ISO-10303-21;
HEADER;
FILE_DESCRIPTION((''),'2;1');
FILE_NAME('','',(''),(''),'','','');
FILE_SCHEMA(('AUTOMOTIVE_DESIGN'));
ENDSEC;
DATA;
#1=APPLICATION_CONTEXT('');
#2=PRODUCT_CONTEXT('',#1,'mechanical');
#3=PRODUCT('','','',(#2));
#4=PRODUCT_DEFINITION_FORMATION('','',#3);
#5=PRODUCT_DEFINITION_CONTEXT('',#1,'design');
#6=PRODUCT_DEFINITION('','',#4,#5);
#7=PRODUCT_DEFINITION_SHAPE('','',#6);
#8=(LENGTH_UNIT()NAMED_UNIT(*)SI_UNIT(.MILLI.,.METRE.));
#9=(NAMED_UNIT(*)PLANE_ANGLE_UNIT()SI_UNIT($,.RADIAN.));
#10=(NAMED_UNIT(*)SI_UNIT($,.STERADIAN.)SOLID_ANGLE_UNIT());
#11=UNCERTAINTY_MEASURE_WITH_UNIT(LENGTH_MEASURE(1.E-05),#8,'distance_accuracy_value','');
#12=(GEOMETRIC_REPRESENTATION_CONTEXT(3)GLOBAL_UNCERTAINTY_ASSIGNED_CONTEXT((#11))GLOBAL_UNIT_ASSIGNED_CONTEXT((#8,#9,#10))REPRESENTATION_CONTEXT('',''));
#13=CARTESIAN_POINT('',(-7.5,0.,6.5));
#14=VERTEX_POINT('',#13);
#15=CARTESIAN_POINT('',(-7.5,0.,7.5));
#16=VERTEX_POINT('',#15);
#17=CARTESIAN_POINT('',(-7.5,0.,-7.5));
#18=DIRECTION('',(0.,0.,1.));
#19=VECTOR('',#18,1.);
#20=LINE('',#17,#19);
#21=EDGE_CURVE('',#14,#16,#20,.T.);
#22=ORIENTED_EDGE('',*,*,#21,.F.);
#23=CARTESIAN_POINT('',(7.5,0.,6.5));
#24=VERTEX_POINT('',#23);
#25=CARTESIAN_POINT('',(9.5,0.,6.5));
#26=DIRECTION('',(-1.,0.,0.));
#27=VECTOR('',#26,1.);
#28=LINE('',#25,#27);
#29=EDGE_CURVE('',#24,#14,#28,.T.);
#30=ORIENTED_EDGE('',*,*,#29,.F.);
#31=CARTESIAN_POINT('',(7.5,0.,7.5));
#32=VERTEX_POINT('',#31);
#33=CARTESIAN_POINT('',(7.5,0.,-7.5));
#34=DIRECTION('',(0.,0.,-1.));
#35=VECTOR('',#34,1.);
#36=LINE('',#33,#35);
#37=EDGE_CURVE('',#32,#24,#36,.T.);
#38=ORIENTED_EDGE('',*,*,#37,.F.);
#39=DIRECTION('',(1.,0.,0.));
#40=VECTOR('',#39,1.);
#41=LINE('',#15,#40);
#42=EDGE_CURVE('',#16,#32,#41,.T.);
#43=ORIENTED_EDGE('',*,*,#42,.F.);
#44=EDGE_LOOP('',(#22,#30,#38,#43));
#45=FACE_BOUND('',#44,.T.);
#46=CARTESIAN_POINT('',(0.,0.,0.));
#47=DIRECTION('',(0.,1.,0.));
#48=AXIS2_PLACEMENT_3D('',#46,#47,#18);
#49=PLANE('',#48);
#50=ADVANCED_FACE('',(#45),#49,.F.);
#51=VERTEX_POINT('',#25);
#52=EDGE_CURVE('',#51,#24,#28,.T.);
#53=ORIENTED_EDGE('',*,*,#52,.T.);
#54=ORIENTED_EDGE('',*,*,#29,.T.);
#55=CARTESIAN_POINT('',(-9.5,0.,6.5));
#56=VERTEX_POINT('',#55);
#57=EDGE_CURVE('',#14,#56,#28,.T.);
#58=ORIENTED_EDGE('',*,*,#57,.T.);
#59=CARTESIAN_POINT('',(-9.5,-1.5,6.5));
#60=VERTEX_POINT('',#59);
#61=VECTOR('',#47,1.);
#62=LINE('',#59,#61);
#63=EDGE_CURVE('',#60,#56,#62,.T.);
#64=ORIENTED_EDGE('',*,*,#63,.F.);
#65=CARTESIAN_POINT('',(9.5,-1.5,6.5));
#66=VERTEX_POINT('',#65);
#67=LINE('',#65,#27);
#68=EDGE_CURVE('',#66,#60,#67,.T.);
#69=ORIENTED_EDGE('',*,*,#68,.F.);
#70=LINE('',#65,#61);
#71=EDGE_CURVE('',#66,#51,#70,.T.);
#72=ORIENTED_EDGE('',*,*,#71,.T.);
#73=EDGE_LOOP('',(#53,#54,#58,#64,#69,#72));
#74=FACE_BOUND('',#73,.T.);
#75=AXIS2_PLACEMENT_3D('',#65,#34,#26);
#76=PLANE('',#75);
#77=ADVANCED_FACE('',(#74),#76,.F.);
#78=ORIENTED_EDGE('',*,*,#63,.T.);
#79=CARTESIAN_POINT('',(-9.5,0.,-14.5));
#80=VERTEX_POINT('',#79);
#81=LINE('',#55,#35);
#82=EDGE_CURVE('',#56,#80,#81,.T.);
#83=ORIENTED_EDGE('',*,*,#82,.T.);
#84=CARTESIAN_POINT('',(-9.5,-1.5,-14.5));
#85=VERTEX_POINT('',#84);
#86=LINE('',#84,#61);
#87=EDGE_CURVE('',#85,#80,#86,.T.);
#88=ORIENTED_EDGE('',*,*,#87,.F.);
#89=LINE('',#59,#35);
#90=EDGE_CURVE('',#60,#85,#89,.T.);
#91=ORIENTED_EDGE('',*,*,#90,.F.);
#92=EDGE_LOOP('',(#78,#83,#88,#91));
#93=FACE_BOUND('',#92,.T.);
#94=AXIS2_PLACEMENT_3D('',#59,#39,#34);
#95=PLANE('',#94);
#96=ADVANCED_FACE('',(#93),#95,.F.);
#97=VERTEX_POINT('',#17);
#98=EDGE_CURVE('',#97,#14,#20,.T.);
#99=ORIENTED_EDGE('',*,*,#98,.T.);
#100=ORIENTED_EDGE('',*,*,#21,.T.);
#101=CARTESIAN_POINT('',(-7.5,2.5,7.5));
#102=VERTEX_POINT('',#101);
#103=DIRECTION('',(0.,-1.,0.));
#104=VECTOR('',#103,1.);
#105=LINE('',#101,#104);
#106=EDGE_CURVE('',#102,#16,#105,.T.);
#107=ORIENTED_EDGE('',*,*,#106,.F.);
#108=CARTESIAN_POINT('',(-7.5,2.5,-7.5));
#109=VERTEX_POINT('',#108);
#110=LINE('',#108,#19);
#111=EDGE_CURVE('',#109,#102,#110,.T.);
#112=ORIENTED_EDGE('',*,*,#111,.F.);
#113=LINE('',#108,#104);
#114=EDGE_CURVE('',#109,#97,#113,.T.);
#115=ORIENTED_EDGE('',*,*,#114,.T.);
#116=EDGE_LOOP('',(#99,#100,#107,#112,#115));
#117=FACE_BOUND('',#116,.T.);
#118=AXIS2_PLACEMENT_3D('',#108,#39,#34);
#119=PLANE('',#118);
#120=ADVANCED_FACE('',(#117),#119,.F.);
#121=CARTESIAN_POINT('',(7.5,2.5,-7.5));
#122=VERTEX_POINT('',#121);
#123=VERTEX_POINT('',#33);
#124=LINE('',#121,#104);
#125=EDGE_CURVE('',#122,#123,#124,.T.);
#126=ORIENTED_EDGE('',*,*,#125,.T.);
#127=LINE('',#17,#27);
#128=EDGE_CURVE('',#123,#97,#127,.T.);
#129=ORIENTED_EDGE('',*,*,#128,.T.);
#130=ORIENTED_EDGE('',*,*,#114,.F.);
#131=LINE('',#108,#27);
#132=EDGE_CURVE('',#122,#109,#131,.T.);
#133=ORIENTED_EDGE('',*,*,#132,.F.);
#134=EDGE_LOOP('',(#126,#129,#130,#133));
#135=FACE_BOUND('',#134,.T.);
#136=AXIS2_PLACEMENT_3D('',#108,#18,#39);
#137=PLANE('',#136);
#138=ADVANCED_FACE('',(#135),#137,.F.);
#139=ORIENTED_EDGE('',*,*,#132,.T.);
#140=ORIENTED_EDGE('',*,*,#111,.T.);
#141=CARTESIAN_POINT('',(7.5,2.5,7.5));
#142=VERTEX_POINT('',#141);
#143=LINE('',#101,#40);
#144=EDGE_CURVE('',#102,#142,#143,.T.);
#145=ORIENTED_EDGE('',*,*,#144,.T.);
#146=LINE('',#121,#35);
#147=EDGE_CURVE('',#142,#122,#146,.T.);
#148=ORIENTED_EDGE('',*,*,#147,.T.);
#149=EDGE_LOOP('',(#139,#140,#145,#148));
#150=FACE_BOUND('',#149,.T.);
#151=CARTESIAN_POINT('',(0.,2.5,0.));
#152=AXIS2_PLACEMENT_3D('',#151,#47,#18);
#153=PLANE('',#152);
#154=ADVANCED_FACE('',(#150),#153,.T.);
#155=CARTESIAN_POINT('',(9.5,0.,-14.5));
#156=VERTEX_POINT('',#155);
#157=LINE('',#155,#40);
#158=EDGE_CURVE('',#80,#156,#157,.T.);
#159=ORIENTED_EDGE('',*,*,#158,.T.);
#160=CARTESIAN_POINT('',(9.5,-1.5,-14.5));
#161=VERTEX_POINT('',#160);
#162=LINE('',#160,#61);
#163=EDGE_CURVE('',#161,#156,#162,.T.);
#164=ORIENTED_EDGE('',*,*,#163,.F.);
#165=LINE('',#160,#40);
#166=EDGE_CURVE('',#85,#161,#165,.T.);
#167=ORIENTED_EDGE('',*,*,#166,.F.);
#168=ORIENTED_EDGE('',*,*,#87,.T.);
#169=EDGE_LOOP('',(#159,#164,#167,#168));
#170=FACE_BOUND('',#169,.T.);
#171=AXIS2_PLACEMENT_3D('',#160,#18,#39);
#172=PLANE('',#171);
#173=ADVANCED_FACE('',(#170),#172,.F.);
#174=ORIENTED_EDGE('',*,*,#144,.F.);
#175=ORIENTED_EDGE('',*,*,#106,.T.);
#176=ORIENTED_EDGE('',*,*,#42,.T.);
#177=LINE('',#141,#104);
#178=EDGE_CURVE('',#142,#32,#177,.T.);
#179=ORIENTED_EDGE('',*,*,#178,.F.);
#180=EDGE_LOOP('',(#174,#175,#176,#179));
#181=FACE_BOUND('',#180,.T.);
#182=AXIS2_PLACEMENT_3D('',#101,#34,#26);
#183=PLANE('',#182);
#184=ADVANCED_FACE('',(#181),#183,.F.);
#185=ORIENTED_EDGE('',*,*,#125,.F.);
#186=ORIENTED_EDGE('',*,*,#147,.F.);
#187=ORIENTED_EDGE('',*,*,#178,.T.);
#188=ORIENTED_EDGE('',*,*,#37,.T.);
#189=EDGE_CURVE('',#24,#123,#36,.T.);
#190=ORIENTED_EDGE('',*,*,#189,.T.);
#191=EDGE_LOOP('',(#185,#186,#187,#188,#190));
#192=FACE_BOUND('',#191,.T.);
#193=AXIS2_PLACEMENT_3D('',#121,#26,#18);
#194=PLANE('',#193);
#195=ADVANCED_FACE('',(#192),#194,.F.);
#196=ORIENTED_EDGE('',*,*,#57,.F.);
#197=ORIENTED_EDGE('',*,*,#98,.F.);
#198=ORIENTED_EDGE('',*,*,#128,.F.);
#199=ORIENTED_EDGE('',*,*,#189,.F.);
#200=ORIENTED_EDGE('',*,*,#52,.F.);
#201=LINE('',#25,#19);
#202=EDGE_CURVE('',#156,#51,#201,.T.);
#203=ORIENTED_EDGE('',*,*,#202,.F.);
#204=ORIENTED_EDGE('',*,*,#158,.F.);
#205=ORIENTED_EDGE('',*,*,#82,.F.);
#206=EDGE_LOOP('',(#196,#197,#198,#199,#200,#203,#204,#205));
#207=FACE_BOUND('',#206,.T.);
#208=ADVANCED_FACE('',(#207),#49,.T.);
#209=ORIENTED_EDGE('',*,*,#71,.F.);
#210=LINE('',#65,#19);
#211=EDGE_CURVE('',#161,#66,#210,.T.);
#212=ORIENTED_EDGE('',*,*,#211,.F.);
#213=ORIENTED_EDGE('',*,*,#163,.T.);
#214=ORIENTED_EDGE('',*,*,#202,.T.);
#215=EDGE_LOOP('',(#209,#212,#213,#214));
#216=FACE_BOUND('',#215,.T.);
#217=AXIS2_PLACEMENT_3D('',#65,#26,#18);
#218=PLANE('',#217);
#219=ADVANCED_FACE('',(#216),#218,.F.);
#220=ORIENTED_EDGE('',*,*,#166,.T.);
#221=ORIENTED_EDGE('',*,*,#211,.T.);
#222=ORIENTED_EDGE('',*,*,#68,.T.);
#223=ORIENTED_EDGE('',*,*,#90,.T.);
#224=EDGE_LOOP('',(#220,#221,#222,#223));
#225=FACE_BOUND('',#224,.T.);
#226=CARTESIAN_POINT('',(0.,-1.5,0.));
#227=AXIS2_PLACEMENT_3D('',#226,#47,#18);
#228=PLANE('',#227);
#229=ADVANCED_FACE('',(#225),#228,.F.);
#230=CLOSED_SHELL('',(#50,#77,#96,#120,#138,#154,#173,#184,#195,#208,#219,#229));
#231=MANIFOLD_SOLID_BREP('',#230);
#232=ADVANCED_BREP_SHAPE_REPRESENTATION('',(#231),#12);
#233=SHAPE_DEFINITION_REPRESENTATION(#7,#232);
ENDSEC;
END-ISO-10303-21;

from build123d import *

# Parameters (mm, degrees)
SKETCH1_W           = 15
SKETCH1_H           = 15
BOSS_EXTRUDE1_DEPTH = 2.5
SKETCH2_W           = 19
SKETCH2_H           = 21
BOSS_EXTRUDE2_DEPTH = 1.5


with BuildPart() as part:
    # Sketch1 → Boss-Extrude1 (new body)
    with BuildSketch(Plane(origin=(0, 0, 0), x_dir=(1, 0, 0), z_dir=(0, 1, 0))):
        Rectangle(SKETCH1_W, SKETCH1_H)
    extrude(amount=BOSS_EXTRUDE1_DEPTH)

    # Sketch2 → Boss-Extrude2 (add)
    with BuildSketch(Plane.XZ):
        with Locations((0, -4)):
            Rectangle(SKETCH2_W, SKETCH2_H)
    extrude(amount=BOSS_EXTRUDE2_DEPTH)


solid = part.part
